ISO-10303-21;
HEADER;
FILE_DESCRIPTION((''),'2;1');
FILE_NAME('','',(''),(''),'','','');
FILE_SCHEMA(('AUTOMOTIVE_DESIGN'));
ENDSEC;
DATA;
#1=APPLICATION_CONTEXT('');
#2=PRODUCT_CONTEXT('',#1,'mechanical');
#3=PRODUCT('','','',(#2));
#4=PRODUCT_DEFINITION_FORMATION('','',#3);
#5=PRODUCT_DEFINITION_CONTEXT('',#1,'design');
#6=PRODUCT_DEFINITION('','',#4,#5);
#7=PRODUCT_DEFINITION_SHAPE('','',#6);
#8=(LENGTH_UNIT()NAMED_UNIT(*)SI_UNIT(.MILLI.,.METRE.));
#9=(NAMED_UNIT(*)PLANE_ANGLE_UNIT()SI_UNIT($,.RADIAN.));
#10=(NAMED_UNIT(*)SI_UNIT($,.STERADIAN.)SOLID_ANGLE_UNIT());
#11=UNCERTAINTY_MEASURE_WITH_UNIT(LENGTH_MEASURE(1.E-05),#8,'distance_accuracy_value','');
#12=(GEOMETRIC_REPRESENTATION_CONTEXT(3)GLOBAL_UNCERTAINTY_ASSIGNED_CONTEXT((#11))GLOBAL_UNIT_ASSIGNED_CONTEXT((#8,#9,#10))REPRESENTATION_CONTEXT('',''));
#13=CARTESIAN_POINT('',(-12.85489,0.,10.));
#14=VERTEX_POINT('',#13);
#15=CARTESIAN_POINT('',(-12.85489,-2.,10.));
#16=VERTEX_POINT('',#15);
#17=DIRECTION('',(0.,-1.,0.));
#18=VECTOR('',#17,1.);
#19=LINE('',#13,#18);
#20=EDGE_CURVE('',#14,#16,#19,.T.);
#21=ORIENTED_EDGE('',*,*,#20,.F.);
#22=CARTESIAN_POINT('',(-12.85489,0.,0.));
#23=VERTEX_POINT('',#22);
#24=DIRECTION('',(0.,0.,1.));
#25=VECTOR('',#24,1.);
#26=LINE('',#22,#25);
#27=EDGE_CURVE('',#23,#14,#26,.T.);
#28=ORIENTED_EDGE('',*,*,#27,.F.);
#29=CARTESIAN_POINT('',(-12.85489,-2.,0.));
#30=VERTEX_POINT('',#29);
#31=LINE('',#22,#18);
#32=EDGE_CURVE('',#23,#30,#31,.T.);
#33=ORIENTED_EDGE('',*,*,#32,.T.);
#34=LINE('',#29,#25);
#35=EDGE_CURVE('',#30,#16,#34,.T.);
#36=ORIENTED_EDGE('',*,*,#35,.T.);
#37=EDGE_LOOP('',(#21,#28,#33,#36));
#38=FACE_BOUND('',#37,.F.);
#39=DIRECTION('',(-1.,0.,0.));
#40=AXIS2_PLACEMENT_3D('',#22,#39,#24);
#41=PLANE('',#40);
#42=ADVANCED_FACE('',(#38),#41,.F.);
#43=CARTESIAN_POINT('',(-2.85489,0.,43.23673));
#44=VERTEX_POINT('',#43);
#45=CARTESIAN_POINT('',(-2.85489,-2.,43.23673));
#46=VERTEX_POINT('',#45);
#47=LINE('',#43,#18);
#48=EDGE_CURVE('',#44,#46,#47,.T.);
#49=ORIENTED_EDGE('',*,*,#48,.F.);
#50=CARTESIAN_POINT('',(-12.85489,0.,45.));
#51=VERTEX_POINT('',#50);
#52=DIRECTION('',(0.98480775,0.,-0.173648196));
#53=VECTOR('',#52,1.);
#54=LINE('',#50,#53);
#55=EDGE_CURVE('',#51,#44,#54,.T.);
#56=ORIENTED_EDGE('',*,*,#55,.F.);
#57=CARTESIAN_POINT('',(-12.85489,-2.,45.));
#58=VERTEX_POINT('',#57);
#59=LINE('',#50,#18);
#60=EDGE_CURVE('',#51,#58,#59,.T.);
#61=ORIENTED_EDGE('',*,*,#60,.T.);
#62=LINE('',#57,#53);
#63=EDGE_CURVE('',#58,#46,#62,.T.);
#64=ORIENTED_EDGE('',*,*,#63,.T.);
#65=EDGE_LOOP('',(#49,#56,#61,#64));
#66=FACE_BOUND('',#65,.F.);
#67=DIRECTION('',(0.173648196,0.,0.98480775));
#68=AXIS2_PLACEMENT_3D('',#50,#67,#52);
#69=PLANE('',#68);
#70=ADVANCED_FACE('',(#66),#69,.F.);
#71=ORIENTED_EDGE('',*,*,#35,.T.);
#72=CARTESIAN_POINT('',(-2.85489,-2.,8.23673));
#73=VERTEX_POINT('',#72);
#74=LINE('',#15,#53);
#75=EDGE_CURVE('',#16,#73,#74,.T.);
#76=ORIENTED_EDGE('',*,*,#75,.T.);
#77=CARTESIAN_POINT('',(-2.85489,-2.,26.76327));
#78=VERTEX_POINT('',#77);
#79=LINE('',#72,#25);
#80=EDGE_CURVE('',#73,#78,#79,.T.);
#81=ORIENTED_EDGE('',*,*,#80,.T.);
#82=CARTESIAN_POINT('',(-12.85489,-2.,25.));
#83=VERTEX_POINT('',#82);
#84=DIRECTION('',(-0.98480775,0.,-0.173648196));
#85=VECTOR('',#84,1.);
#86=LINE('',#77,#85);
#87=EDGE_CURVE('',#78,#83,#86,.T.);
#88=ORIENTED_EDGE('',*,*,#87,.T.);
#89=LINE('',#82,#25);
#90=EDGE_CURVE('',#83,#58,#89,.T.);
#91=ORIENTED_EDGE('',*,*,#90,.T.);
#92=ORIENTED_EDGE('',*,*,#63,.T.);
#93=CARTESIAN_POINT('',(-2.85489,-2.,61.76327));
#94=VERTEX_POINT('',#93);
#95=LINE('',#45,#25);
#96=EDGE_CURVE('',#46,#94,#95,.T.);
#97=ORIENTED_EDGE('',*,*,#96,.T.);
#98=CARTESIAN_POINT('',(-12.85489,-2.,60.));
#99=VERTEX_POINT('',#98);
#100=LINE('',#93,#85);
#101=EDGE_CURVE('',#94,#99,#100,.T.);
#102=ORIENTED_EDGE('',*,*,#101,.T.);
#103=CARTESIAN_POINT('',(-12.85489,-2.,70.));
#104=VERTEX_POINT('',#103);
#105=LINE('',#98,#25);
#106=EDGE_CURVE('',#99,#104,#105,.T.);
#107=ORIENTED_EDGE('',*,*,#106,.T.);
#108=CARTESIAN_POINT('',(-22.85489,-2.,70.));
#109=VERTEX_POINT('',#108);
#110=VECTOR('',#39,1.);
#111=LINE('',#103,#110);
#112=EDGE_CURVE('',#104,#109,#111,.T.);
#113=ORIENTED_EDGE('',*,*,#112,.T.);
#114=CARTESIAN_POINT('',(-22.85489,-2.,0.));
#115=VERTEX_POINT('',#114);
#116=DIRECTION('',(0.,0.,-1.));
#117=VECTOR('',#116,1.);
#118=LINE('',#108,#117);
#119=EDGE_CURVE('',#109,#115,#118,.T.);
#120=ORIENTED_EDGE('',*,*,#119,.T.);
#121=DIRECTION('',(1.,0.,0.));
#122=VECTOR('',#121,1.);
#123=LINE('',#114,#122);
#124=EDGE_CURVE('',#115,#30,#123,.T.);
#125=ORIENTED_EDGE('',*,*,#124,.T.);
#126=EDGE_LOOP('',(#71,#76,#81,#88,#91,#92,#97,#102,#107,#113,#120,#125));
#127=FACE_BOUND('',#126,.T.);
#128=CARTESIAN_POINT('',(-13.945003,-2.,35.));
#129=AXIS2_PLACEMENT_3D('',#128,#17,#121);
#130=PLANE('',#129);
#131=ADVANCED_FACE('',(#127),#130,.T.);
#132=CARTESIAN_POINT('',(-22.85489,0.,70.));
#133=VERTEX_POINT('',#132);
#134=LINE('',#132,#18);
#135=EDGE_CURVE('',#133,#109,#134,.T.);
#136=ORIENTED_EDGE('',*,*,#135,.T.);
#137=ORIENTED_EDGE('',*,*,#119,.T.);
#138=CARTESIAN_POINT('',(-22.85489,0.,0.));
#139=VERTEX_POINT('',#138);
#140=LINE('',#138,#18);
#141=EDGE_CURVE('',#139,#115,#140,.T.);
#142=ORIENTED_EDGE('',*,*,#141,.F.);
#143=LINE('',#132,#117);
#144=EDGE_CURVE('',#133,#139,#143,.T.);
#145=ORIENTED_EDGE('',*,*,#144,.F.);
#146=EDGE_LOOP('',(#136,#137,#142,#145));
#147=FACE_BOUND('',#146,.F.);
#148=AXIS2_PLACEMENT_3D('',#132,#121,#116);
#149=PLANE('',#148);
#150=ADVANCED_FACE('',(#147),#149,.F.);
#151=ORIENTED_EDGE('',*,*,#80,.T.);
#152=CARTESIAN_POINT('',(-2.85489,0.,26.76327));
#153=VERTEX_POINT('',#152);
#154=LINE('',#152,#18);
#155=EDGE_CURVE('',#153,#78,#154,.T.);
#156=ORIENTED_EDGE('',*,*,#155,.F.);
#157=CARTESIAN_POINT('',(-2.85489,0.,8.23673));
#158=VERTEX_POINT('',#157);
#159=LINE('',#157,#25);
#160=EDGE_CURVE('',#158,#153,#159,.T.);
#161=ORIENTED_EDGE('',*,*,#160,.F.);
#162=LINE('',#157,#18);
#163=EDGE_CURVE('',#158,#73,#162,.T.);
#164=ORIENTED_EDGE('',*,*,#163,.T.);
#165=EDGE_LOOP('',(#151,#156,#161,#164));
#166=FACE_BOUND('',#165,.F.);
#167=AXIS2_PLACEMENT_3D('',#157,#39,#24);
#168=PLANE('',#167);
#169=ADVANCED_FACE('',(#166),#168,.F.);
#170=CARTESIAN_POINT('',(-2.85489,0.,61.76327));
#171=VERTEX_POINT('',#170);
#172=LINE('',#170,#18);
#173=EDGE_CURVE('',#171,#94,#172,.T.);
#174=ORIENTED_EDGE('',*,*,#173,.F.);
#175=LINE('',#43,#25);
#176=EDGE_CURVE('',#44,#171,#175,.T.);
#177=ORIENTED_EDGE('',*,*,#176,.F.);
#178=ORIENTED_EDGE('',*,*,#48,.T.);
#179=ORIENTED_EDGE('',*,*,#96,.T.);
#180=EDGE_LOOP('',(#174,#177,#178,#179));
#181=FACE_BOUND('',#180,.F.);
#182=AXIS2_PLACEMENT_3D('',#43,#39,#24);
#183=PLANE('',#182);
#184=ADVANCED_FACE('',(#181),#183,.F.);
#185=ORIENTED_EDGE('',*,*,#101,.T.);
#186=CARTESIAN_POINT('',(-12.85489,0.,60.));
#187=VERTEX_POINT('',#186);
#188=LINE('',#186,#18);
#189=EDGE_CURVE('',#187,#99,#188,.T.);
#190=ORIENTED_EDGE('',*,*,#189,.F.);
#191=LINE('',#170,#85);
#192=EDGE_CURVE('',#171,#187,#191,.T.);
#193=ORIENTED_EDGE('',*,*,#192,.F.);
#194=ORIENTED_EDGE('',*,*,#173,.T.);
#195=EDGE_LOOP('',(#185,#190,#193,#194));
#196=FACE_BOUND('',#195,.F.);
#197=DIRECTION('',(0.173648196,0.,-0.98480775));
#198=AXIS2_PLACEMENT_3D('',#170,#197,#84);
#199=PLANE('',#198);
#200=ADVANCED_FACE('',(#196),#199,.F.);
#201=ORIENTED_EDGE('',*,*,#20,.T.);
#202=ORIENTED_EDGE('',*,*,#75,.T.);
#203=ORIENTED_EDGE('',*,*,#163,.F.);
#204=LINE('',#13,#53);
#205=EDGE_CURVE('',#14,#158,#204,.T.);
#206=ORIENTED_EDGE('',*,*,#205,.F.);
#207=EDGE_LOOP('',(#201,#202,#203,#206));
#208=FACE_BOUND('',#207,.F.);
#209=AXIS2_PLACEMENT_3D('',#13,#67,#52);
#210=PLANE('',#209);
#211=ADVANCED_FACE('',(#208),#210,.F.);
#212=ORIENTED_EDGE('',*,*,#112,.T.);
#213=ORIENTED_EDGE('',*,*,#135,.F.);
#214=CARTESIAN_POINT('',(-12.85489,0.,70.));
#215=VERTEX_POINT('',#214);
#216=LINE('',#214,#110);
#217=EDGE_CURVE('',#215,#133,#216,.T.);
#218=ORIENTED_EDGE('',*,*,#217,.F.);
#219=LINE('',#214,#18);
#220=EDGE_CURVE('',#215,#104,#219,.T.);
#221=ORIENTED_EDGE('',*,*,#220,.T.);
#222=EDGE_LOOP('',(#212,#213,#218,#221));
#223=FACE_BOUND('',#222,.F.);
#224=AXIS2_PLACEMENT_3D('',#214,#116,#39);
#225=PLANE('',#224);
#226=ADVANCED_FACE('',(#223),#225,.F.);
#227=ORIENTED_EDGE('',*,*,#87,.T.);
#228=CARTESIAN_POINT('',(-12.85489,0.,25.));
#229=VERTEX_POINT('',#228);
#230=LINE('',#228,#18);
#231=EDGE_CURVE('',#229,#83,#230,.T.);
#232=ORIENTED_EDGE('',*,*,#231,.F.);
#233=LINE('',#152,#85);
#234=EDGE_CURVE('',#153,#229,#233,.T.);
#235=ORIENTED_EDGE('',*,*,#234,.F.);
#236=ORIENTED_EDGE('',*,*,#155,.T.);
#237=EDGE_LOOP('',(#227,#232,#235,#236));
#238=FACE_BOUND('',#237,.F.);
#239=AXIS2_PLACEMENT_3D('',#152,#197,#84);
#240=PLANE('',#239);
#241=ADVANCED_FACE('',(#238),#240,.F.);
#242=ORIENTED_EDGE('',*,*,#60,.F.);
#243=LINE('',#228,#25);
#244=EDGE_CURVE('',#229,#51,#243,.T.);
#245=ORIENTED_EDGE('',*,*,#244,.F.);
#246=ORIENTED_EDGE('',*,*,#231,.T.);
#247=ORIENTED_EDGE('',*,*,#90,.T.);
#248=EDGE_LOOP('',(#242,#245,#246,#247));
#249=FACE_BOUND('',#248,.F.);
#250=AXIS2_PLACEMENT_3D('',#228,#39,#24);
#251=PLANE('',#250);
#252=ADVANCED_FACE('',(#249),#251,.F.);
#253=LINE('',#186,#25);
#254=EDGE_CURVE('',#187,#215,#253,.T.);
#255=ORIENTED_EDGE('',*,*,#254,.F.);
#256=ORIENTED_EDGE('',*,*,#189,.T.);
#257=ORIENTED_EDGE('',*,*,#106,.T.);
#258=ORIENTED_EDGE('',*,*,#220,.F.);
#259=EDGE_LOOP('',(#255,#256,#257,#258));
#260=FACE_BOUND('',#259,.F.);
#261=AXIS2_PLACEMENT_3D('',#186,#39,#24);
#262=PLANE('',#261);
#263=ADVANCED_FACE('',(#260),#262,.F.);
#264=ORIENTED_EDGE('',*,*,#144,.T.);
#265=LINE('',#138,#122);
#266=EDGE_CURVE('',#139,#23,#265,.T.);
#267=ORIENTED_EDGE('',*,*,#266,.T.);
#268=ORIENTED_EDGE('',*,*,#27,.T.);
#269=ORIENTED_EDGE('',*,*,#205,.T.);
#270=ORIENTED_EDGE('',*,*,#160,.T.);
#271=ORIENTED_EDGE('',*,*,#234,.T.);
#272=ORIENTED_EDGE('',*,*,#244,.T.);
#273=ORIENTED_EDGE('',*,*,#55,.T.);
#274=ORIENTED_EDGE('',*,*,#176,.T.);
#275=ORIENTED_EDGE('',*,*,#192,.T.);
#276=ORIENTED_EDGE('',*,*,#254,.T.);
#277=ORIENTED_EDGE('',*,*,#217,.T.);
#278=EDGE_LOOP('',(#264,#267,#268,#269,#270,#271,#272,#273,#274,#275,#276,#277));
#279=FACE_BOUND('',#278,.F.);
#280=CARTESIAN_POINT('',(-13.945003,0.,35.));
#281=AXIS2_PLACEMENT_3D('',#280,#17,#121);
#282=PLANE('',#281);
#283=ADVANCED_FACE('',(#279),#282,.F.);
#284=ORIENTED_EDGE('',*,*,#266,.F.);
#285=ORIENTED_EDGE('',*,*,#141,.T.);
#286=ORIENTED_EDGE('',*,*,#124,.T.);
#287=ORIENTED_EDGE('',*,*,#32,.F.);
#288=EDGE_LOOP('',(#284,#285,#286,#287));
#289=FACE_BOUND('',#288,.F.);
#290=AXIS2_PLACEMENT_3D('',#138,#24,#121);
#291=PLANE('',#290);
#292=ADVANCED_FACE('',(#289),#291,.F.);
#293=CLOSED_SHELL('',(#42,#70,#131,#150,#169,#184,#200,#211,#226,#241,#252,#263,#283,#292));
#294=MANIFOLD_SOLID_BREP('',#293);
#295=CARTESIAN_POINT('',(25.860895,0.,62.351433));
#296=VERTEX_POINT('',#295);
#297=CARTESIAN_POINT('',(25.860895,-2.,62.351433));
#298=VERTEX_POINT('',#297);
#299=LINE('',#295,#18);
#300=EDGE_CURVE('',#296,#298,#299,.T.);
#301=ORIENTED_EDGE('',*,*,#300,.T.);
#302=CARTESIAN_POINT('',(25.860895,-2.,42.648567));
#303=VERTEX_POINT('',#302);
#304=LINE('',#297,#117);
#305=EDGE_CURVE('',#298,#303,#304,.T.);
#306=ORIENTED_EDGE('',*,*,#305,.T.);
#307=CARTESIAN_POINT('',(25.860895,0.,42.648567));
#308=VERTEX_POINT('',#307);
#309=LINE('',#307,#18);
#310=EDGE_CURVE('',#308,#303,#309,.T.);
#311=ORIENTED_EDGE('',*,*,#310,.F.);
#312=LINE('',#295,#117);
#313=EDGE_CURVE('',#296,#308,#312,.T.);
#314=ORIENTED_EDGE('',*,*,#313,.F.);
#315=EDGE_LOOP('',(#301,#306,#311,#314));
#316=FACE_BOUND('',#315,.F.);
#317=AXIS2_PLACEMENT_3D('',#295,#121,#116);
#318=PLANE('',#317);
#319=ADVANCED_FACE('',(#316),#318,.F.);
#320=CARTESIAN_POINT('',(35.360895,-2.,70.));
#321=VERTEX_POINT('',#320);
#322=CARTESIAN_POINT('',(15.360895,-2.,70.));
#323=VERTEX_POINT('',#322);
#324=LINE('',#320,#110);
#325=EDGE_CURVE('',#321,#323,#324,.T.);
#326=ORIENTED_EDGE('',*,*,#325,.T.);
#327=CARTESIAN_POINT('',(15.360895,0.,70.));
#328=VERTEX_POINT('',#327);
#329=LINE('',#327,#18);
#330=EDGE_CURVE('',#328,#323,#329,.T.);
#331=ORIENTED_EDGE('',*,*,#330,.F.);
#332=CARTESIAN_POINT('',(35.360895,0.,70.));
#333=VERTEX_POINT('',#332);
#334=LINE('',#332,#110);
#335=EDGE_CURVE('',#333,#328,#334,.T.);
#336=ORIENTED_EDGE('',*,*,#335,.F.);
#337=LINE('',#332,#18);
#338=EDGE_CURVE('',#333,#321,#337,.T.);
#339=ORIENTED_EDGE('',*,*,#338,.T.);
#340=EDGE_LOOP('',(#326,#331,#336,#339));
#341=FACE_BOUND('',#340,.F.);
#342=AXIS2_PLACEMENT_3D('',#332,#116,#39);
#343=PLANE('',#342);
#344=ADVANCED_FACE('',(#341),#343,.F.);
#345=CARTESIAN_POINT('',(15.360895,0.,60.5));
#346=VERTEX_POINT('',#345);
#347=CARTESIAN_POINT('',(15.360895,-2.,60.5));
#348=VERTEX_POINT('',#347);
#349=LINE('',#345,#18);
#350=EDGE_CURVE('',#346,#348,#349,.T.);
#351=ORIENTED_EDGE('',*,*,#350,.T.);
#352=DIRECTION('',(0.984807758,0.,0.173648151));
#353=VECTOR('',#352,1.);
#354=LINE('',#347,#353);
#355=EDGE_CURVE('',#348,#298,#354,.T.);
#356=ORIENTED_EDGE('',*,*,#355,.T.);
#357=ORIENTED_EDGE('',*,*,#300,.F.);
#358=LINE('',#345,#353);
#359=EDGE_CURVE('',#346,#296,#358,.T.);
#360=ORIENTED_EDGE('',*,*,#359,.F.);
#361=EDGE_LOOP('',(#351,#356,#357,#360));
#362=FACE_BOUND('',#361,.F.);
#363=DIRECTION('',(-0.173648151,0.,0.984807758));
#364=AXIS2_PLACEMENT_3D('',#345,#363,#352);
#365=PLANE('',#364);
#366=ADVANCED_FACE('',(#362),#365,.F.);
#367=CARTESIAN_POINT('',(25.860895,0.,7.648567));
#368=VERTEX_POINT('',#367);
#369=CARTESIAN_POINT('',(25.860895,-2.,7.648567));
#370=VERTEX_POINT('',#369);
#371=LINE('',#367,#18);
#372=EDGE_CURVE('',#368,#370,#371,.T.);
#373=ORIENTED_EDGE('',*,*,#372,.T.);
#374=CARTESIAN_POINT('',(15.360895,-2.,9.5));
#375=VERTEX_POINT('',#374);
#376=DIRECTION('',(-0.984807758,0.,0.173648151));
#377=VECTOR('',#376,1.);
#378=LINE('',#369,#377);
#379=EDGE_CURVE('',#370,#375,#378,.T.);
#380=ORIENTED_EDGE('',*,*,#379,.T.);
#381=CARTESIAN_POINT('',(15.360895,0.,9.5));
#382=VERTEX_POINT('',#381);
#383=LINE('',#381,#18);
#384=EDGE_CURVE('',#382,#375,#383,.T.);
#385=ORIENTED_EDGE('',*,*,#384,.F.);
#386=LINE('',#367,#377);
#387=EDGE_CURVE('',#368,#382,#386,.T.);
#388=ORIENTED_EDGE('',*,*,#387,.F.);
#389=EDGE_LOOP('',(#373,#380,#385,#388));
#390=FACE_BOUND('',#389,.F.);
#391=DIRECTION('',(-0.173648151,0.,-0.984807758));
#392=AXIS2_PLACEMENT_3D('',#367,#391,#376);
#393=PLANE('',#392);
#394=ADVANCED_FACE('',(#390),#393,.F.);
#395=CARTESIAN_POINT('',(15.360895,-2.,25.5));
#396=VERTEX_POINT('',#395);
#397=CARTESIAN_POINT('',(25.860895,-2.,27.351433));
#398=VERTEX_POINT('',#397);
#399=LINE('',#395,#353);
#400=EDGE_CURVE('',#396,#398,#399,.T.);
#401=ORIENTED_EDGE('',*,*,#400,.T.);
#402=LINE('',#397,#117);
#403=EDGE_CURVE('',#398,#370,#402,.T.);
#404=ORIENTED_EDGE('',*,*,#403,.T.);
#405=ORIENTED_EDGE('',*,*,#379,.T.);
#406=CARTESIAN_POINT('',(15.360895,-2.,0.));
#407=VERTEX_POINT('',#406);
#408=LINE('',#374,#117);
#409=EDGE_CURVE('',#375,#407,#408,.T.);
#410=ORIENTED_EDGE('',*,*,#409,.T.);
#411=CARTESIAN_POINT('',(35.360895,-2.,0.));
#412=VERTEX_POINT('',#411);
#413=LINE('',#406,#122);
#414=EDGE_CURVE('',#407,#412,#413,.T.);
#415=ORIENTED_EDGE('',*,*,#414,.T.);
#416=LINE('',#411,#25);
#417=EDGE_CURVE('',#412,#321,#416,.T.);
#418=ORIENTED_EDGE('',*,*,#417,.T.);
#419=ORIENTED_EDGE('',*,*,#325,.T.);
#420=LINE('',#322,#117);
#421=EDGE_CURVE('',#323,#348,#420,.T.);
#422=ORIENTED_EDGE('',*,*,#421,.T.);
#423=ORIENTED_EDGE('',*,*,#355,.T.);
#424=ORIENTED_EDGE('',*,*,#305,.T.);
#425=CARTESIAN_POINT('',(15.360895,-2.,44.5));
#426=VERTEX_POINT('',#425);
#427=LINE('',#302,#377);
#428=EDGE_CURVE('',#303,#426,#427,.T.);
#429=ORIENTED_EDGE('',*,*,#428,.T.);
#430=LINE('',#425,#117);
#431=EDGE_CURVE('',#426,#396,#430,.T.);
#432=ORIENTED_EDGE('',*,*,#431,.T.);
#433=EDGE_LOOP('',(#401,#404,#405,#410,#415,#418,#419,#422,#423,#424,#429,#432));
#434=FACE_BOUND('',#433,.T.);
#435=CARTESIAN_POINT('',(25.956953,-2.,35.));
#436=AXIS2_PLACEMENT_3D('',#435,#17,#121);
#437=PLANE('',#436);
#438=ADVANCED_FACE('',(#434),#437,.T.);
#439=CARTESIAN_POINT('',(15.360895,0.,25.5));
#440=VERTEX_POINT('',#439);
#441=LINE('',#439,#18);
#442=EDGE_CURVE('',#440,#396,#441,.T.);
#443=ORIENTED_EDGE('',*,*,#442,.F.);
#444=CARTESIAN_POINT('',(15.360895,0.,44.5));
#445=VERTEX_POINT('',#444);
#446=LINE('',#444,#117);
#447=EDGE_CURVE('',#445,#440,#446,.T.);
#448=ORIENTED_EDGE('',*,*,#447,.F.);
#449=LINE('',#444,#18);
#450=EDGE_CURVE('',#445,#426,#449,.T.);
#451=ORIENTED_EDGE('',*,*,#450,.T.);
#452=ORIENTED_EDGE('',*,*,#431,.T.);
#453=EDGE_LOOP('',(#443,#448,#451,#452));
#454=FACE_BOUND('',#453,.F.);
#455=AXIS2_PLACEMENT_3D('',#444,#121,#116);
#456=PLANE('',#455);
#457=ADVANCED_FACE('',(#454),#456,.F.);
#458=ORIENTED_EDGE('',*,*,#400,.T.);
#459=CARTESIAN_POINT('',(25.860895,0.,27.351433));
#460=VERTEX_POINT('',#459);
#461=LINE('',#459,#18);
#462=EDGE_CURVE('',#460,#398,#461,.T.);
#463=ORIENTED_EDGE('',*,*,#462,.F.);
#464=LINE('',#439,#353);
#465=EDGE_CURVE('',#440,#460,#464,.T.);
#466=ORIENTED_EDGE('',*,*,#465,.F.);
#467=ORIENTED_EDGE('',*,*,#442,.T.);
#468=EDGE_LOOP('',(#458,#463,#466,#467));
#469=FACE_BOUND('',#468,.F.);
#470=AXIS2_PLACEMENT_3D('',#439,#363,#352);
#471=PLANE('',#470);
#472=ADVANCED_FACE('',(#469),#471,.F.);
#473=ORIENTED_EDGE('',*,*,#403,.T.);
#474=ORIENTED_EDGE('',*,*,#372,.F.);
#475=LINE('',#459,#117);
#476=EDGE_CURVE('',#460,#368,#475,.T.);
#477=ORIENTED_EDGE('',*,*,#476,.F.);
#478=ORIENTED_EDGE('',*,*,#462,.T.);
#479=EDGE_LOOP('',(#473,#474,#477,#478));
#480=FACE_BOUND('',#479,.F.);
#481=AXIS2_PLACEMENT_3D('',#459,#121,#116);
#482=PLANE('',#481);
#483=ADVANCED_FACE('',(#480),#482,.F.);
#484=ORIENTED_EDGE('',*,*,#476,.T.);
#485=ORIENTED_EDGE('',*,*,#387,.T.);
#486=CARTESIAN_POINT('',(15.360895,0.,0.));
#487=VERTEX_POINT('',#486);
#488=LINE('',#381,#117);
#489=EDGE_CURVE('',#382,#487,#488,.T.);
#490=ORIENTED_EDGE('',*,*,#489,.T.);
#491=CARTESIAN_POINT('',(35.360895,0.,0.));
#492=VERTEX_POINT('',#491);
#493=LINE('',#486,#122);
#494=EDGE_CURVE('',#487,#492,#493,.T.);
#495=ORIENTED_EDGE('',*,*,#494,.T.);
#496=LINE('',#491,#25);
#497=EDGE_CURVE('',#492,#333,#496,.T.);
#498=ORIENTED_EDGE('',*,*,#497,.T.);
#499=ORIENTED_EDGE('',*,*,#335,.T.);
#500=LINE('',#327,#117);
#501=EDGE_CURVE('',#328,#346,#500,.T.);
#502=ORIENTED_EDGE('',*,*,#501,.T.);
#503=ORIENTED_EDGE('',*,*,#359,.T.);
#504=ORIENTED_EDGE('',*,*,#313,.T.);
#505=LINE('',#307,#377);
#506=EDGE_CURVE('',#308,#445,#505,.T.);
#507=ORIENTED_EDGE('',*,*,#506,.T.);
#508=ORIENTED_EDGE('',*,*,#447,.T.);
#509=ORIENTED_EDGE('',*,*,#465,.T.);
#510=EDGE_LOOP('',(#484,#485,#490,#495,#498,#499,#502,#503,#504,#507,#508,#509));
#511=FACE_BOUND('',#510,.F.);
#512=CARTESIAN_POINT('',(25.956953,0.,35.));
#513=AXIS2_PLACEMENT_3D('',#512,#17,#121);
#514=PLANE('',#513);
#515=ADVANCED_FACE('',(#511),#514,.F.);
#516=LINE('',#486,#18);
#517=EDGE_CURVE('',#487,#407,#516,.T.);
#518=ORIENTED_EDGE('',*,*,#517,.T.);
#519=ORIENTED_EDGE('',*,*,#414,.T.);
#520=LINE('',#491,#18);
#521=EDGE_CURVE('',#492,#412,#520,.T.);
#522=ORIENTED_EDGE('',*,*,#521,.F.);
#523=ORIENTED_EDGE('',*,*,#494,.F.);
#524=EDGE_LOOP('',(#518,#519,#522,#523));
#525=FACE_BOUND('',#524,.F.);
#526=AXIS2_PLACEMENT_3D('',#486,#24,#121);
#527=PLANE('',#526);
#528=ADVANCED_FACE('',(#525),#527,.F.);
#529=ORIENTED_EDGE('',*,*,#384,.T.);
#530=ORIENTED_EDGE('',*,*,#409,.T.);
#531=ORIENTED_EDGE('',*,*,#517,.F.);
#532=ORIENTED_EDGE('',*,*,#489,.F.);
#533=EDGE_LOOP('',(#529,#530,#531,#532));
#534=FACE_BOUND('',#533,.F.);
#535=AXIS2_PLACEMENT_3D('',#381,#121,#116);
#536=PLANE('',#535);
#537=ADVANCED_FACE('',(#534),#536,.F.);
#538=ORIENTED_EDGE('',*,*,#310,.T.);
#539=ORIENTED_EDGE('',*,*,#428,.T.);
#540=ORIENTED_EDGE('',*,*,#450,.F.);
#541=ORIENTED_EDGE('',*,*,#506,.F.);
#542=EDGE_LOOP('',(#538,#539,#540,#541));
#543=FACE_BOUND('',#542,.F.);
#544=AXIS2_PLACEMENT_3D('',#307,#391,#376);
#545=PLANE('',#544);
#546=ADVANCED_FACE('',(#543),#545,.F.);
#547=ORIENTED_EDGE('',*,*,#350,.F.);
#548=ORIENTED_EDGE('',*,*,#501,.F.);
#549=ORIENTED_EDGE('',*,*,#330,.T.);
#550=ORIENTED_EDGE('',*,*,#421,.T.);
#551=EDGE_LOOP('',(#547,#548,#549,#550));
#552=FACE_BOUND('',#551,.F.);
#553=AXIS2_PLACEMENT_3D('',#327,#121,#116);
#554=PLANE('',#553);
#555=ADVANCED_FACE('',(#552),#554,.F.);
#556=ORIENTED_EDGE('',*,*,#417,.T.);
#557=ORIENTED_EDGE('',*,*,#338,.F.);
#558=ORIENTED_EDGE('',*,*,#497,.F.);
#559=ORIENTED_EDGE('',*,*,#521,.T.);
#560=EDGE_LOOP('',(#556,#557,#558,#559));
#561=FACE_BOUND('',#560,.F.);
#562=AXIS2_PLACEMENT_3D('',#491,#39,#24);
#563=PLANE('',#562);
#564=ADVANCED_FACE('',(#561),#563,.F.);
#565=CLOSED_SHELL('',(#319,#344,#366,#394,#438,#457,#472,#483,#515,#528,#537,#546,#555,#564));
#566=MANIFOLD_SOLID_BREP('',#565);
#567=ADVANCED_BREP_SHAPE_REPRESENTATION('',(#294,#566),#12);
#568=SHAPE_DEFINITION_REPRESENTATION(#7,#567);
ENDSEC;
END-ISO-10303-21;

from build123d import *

# Parameters (mm, degrees)
F1_DEPTH = 2


with BuildPart() as f1:
    # F0 (on Front) → F1 (new body)
    with BuildSketch(Plane.XZ):
        Polygon((-22.85489, 0), (-12.85489, 0), (-12.85489, 10), (-2.85489, 8.23673), (-2.85489, 26.76327), (-12.85489, 25), (-12.85489, 35), (-12.85489, 45), (-2.85489, 43.23673), (-2.85489, 61.76327), (-12.85489, 60), (-12.85489, 70), (-22.85489, 70), (-22.85489, 35), align=None)
        Polygon((15.360895, 9.5), (15.360895, 0), (35.360895, 0), (35.360895, 35), (35.360895, 70), (15.360895, 70), (15.360895, 60.5), (25.860895, 62.351433), (25.860895, 42.648567), (15.360895, 44.5), (15.360895, 35), (15.360895, 25.5), (25.860895, 27.351433), (25.860895, 7.648567), align=None)
    extrude(amount=F1_DEPTH)


solid = f1.part
